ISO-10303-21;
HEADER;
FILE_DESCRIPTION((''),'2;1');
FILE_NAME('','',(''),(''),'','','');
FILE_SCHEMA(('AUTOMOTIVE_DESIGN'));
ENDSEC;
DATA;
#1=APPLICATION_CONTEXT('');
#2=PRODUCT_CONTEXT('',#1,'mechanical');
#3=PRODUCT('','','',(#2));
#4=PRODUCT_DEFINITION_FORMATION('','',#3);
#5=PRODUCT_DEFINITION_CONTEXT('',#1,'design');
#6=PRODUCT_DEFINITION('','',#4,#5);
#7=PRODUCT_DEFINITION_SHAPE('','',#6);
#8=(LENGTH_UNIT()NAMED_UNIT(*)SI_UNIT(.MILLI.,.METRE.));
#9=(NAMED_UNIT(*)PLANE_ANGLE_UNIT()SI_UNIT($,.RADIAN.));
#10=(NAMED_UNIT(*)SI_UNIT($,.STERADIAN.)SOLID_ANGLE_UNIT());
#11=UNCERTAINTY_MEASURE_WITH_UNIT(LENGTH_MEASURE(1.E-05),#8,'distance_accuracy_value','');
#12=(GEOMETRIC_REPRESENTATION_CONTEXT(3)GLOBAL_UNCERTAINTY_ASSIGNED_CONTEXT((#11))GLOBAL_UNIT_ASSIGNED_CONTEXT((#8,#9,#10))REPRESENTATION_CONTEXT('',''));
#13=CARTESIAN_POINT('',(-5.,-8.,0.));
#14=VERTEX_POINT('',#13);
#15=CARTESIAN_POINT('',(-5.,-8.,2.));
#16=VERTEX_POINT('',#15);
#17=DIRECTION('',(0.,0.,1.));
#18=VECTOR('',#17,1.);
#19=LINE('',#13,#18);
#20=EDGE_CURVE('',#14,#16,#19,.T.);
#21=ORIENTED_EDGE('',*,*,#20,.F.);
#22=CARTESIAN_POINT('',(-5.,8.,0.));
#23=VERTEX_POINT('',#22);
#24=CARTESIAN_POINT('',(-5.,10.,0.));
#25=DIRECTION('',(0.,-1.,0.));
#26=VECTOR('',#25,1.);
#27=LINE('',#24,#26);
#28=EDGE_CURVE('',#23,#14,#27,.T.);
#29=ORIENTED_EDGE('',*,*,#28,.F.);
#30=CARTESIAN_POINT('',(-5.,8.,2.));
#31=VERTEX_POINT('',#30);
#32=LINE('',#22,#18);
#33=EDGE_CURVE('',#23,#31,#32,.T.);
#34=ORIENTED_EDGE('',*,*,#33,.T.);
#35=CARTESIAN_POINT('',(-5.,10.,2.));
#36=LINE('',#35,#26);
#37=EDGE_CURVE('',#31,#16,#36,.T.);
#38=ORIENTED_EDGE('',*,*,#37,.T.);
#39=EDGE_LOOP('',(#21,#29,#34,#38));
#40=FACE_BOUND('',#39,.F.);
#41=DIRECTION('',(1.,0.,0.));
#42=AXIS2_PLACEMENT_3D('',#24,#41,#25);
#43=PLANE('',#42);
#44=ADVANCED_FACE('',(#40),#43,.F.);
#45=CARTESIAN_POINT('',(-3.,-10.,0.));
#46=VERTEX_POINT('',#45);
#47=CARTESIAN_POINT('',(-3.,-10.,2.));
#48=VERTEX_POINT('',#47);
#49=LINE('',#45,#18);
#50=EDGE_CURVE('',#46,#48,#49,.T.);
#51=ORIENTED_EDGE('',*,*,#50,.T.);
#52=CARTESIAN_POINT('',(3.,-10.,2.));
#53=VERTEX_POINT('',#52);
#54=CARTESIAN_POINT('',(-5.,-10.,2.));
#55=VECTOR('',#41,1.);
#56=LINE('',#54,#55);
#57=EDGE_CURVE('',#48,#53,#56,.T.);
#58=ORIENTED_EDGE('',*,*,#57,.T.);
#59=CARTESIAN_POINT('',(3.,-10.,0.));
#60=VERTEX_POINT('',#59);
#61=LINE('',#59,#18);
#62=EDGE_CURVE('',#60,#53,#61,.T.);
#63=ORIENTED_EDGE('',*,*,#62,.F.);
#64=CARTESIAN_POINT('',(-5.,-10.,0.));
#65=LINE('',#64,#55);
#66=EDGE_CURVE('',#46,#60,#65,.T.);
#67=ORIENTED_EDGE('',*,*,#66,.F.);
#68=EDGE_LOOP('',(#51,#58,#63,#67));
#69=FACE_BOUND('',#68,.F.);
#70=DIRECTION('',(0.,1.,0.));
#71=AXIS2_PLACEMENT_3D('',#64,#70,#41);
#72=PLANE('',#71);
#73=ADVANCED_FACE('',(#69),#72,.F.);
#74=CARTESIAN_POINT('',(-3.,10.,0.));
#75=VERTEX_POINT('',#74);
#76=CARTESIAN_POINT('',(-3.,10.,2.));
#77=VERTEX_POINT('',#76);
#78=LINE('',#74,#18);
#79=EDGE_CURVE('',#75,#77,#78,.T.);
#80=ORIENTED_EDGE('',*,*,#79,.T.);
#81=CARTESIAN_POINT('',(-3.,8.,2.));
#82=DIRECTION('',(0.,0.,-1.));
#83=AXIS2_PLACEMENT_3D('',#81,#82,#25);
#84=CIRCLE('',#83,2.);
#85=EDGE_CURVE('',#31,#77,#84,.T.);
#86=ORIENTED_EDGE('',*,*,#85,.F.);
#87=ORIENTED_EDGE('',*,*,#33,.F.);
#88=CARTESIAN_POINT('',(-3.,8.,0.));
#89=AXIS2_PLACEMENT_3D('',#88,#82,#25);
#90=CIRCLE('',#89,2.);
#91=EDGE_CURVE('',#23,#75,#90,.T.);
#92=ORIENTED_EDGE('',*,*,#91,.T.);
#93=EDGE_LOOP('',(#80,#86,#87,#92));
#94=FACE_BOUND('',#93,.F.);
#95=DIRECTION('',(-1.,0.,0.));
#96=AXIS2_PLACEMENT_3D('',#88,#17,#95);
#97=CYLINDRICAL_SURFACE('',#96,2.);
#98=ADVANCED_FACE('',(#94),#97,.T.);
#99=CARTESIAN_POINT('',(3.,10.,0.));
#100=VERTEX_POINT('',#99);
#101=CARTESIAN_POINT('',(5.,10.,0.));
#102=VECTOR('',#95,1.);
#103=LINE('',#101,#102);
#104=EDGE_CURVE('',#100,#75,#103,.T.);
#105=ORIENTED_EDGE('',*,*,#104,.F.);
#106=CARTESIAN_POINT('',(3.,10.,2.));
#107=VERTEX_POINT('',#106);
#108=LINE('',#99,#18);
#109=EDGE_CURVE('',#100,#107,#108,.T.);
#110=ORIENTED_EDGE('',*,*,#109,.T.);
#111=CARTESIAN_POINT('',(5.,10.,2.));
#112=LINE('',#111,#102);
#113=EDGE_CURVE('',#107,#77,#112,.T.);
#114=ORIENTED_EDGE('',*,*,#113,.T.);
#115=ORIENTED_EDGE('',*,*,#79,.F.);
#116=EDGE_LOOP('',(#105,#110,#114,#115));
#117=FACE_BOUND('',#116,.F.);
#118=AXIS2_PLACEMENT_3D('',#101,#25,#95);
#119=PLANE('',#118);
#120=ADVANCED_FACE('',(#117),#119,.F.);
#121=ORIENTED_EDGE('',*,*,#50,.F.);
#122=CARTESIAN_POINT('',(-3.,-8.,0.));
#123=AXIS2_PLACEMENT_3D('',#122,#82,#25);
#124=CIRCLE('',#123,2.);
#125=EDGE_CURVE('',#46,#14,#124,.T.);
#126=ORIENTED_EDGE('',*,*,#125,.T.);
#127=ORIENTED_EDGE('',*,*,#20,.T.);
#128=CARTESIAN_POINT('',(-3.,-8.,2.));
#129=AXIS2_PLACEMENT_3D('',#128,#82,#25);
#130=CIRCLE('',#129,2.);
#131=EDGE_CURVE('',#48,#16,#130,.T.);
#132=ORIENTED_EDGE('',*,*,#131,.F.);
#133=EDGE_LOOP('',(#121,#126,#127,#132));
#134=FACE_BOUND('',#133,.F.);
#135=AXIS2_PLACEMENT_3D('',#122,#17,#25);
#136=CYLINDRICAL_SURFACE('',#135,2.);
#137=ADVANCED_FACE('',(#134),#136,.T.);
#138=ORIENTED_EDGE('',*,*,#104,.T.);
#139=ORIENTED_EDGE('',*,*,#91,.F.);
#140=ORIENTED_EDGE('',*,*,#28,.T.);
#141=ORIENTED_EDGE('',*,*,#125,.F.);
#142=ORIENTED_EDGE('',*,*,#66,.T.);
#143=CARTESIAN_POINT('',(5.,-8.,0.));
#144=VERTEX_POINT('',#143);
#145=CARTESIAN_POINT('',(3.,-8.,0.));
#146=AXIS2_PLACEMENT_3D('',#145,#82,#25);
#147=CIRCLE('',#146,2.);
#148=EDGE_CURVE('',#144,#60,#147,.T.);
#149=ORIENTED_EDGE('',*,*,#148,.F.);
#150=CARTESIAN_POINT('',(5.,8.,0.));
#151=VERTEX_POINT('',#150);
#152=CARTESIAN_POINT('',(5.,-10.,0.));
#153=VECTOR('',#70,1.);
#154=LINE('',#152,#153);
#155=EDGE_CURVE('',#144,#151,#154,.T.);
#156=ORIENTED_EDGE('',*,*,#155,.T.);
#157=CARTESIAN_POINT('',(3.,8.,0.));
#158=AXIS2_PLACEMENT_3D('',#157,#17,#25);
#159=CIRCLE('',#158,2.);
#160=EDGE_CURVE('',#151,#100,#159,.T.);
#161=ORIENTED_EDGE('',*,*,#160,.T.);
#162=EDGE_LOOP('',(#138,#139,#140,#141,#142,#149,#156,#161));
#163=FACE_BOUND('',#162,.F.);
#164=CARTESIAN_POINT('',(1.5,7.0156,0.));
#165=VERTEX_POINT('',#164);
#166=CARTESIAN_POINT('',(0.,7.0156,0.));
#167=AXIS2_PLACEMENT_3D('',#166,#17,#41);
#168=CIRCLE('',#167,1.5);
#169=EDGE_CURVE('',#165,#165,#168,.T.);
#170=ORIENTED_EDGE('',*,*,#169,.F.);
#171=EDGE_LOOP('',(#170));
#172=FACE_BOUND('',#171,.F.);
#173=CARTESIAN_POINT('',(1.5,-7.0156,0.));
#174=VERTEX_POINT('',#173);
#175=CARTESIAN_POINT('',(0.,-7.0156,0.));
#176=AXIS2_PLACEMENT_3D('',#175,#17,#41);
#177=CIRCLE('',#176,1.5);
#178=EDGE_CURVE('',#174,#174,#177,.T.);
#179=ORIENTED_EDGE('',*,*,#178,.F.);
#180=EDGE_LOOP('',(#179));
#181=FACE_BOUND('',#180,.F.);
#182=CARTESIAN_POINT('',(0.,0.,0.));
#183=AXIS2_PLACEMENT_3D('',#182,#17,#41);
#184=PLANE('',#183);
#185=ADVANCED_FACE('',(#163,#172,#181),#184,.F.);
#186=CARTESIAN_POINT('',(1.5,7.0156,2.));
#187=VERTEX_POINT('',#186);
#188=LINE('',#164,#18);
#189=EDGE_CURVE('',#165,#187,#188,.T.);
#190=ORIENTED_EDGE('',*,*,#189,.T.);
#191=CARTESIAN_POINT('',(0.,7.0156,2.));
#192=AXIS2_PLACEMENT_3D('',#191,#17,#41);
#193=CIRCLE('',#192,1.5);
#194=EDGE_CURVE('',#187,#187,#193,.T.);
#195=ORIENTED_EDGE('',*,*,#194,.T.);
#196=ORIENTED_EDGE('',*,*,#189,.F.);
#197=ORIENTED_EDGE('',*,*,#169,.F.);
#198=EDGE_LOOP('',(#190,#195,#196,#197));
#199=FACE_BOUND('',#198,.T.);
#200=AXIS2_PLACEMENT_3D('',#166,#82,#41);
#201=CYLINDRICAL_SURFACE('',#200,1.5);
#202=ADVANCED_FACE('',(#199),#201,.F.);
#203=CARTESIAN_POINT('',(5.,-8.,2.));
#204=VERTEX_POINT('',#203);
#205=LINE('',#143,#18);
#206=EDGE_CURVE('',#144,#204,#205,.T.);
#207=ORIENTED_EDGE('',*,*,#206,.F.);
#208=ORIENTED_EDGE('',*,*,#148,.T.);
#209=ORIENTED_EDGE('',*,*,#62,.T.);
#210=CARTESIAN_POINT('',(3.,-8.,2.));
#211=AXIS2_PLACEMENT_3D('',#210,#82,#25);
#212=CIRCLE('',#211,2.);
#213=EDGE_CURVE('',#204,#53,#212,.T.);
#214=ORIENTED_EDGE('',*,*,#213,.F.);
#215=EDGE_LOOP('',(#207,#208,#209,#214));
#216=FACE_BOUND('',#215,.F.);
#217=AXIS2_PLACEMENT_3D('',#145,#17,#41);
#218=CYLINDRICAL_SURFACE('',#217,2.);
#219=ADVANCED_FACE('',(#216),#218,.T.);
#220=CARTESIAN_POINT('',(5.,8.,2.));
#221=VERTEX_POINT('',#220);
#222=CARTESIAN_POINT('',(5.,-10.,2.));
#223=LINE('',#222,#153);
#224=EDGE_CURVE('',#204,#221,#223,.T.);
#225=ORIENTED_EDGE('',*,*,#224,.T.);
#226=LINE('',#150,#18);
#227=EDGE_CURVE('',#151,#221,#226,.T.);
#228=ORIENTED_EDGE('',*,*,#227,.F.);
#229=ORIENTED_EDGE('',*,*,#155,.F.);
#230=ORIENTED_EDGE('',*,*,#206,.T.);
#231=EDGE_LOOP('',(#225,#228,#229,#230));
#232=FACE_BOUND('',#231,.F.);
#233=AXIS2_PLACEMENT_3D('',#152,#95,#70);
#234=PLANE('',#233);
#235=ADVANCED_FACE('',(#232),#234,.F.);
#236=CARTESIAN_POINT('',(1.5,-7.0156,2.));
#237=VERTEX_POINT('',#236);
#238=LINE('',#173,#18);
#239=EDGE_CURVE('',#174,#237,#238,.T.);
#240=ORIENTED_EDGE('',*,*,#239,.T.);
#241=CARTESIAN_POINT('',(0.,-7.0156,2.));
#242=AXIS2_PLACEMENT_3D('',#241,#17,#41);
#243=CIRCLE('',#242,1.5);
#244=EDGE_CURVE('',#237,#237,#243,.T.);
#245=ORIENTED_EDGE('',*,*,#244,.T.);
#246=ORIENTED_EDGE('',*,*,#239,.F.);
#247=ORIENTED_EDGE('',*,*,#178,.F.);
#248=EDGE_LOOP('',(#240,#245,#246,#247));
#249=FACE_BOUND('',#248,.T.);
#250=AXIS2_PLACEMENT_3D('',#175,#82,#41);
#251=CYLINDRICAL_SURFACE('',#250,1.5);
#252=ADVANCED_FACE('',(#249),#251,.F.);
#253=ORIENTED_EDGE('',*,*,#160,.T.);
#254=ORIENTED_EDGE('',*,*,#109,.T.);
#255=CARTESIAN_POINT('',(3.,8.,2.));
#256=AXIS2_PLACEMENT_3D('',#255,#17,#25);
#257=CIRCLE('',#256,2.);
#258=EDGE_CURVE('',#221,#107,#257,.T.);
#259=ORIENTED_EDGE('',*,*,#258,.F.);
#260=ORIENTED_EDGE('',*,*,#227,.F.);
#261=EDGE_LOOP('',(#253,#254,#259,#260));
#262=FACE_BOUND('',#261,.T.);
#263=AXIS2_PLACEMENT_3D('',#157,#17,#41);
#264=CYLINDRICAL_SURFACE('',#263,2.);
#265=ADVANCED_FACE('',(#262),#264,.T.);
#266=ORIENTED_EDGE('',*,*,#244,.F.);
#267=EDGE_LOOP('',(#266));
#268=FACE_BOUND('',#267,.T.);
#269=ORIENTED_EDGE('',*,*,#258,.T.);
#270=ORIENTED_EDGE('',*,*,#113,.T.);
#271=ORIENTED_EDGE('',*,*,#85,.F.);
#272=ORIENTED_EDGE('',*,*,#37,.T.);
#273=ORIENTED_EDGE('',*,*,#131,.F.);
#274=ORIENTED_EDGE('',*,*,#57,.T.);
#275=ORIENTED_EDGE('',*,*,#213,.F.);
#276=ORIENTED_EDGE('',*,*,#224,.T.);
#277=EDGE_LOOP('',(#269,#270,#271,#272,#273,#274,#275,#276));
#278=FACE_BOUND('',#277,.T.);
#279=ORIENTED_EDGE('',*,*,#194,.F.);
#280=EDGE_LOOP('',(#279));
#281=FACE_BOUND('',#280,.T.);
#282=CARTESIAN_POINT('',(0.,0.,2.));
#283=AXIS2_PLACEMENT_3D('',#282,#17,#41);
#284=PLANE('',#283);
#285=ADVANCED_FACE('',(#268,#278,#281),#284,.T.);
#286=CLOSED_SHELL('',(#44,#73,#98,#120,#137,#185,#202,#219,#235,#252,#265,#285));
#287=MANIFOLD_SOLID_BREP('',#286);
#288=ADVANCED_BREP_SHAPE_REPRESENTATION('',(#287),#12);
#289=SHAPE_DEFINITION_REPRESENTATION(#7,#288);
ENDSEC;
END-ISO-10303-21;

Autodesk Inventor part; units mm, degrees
ref_plane "YZ Plane" through (0, 0, 0) normal (1, 0, 0) x (0, 1, 0)
ref_plane "XZ Plane" through (0, 0, 0) normal (0, 1, 0) x (-1, 0, 0)
ref_plane "XY Plane" through (0, 0, 0) normal (0, 0, 1) x (1, 0, 0)
sketch "Skizze1" plane through (0, 0, 0) normal (0, 0, 1) x (1, 0, 0)
  circle A0 centre (0, -7.0156) radius 1.25 construction
  line L0 (-5, -4.0311) -> (5, -4.0311) construction
  line L1 (-5, -4.0311) -> (-5, -10) construction
  line L2 (-5, -10) -> (5, -10) construction
  line L3 (5, -10) -> (5, -4.0311) construction
  circle A1 centre (0, 7.0156) radius 1.25 construction
  line L4 (5, 4.0311) -> (-5, 4.0311) construction
  line L5 (5, 4.0311) -> (5, 10) construction
  line L6 (5, 10) -> (-5, 10) construction
  line L7 (-5, 10) -> (-5, 4.0311) construction
  line L8 (5, 10) -> (-5, 10)
  line L9 (-5, 10) -> (-5, -10)
  line L10 (-5, -10) -> (5, -10)
  line L11 (5, -10) -> (5, 10)
  circle A2 centre (0, 7.0156) radius 1.5
  circle A3 centre (0, -7.0156) radius 1.5
  point P0 (0, 0)
  dimension "d0" = 3
  dimension "d1" = 3
extrude "Extrusion1" add sketch "Skizze1" along normal blind 2
fillet "Rundung1" radius 2 4 edges at (5, 10, 1) (-5, 10, 1) (-5, -10, 1) (5, -10, 1)
properties part number "Cable_clamp"
